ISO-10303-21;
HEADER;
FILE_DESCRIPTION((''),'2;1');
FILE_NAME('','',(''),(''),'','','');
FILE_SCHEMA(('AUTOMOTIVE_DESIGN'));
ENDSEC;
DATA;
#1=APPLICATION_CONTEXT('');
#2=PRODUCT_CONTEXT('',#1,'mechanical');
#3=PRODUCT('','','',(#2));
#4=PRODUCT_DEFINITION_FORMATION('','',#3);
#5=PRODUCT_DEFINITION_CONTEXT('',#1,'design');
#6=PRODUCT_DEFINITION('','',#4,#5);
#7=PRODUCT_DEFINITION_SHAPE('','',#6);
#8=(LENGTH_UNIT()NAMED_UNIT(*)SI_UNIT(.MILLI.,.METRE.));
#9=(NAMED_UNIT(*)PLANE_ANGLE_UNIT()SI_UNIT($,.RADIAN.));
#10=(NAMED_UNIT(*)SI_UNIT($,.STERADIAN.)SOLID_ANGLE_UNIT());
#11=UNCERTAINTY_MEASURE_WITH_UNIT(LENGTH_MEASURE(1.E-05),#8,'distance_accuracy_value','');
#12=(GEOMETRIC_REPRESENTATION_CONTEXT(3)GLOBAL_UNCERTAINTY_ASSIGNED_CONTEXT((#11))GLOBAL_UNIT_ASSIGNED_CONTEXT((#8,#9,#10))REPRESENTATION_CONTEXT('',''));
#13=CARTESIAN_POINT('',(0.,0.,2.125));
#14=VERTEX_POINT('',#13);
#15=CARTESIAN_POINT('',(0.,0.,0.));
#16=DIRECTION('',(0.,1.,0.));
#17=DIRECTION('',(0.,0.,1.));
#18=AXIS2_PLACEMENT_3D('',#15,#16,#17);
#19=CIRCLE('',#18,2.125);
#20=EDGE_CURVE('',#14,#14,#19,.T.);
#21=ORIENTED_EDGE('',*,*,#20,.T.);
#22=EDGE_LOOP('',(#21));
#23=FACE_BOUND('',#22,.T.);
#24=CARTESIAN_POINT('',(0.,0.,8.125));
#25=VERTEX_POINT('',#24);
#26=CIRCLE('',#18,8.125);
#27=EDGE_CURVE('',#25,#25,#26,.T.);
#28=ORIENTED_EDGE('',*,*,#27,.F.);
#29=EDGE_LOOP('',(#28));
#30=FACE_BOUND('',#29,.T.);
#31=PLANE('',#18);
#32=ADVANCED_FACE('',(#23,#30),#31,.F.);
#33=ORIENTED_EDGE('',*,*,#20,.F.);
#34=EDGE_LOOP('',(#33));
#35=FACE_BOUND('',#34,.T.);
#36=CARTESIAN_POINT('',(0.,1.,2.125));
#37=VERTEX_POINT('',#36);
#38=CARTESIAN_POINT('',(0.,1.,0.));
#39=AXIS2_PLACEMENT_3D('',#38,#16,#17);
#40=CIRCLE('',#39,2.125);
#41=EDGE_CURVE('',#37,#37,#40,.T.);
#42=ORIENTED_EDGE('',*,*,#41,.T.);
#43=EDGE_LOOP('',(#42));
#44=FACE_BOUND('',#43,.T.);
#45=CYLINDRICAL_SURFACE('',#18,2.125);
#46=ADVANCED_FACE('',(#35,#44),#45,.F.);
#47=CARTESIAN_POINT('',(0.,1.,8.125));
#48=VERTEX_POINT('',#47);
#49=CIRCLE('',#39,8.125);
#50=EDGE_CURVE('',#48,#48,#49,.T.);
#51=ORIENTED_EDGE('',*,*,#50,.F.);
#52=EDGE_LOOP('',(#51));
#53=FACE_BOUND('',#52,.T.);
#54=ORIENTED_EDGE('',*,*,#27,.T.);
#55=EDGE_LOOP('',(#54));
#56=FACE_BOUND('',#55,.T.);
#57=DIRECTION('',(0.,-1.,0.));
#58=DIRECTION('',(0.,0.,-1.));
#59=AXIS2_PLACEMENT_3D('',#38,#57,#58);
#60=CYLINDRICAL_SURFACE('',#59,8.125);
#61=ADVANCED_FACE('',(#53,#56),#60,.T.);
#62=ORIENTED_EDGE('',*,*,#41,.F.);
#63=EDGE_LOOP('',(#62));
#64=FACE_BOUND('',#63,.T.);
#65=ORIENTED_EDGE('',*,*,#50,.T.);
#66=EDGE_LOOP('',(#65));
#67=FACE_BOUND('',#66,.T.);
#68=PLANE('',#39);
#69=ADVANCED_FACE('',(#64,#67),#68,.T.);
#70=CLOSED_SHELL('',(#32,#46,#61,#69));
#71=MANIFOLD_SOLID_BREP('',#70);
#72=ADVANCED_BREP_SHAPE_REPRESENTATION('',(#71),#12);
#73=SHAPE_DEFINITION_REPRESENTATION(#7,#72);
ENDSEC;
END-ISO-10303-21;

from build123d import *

# Parameters (mm, degrees)
SKETCH1_R           = 8.125
BOSS_EXTRUDE1_DEPTH = 1
SKETCH2_R           = 2.125
CUT_EXTRUDE1_DEPTH  = 1


with BuildPart() as part:
    # Sketch1 → Boss-Extrude1 (new body)
    with BuildSketch(Plane(origin=(0, 0, 0), x_dir=(1, 0, 0), z_dir=(0, 1, 0))):
        with Locations(Location((0, 0, 0), (0, 0, 270))):
            Circle(SKETCH1_R)
    extrude(amount=BOSS_EXTRUDE1_DEPTH)

    # Sketch2 → Cut-Extrude1 (cut)
    with BuildSketch(Plane(origin=(0, 1, 0), x_dir=(1, 0, 0), z_dir=(0, 1, 0))):
        with Locations(Location((0, 0, 0), (0, 0, 270))):
            Circle(SKETCH2_R)
    extrude(amount=-CUT_EXTRUDE1_DEPTH, mode=Mode.SUBTRACT)


solid = part.part
